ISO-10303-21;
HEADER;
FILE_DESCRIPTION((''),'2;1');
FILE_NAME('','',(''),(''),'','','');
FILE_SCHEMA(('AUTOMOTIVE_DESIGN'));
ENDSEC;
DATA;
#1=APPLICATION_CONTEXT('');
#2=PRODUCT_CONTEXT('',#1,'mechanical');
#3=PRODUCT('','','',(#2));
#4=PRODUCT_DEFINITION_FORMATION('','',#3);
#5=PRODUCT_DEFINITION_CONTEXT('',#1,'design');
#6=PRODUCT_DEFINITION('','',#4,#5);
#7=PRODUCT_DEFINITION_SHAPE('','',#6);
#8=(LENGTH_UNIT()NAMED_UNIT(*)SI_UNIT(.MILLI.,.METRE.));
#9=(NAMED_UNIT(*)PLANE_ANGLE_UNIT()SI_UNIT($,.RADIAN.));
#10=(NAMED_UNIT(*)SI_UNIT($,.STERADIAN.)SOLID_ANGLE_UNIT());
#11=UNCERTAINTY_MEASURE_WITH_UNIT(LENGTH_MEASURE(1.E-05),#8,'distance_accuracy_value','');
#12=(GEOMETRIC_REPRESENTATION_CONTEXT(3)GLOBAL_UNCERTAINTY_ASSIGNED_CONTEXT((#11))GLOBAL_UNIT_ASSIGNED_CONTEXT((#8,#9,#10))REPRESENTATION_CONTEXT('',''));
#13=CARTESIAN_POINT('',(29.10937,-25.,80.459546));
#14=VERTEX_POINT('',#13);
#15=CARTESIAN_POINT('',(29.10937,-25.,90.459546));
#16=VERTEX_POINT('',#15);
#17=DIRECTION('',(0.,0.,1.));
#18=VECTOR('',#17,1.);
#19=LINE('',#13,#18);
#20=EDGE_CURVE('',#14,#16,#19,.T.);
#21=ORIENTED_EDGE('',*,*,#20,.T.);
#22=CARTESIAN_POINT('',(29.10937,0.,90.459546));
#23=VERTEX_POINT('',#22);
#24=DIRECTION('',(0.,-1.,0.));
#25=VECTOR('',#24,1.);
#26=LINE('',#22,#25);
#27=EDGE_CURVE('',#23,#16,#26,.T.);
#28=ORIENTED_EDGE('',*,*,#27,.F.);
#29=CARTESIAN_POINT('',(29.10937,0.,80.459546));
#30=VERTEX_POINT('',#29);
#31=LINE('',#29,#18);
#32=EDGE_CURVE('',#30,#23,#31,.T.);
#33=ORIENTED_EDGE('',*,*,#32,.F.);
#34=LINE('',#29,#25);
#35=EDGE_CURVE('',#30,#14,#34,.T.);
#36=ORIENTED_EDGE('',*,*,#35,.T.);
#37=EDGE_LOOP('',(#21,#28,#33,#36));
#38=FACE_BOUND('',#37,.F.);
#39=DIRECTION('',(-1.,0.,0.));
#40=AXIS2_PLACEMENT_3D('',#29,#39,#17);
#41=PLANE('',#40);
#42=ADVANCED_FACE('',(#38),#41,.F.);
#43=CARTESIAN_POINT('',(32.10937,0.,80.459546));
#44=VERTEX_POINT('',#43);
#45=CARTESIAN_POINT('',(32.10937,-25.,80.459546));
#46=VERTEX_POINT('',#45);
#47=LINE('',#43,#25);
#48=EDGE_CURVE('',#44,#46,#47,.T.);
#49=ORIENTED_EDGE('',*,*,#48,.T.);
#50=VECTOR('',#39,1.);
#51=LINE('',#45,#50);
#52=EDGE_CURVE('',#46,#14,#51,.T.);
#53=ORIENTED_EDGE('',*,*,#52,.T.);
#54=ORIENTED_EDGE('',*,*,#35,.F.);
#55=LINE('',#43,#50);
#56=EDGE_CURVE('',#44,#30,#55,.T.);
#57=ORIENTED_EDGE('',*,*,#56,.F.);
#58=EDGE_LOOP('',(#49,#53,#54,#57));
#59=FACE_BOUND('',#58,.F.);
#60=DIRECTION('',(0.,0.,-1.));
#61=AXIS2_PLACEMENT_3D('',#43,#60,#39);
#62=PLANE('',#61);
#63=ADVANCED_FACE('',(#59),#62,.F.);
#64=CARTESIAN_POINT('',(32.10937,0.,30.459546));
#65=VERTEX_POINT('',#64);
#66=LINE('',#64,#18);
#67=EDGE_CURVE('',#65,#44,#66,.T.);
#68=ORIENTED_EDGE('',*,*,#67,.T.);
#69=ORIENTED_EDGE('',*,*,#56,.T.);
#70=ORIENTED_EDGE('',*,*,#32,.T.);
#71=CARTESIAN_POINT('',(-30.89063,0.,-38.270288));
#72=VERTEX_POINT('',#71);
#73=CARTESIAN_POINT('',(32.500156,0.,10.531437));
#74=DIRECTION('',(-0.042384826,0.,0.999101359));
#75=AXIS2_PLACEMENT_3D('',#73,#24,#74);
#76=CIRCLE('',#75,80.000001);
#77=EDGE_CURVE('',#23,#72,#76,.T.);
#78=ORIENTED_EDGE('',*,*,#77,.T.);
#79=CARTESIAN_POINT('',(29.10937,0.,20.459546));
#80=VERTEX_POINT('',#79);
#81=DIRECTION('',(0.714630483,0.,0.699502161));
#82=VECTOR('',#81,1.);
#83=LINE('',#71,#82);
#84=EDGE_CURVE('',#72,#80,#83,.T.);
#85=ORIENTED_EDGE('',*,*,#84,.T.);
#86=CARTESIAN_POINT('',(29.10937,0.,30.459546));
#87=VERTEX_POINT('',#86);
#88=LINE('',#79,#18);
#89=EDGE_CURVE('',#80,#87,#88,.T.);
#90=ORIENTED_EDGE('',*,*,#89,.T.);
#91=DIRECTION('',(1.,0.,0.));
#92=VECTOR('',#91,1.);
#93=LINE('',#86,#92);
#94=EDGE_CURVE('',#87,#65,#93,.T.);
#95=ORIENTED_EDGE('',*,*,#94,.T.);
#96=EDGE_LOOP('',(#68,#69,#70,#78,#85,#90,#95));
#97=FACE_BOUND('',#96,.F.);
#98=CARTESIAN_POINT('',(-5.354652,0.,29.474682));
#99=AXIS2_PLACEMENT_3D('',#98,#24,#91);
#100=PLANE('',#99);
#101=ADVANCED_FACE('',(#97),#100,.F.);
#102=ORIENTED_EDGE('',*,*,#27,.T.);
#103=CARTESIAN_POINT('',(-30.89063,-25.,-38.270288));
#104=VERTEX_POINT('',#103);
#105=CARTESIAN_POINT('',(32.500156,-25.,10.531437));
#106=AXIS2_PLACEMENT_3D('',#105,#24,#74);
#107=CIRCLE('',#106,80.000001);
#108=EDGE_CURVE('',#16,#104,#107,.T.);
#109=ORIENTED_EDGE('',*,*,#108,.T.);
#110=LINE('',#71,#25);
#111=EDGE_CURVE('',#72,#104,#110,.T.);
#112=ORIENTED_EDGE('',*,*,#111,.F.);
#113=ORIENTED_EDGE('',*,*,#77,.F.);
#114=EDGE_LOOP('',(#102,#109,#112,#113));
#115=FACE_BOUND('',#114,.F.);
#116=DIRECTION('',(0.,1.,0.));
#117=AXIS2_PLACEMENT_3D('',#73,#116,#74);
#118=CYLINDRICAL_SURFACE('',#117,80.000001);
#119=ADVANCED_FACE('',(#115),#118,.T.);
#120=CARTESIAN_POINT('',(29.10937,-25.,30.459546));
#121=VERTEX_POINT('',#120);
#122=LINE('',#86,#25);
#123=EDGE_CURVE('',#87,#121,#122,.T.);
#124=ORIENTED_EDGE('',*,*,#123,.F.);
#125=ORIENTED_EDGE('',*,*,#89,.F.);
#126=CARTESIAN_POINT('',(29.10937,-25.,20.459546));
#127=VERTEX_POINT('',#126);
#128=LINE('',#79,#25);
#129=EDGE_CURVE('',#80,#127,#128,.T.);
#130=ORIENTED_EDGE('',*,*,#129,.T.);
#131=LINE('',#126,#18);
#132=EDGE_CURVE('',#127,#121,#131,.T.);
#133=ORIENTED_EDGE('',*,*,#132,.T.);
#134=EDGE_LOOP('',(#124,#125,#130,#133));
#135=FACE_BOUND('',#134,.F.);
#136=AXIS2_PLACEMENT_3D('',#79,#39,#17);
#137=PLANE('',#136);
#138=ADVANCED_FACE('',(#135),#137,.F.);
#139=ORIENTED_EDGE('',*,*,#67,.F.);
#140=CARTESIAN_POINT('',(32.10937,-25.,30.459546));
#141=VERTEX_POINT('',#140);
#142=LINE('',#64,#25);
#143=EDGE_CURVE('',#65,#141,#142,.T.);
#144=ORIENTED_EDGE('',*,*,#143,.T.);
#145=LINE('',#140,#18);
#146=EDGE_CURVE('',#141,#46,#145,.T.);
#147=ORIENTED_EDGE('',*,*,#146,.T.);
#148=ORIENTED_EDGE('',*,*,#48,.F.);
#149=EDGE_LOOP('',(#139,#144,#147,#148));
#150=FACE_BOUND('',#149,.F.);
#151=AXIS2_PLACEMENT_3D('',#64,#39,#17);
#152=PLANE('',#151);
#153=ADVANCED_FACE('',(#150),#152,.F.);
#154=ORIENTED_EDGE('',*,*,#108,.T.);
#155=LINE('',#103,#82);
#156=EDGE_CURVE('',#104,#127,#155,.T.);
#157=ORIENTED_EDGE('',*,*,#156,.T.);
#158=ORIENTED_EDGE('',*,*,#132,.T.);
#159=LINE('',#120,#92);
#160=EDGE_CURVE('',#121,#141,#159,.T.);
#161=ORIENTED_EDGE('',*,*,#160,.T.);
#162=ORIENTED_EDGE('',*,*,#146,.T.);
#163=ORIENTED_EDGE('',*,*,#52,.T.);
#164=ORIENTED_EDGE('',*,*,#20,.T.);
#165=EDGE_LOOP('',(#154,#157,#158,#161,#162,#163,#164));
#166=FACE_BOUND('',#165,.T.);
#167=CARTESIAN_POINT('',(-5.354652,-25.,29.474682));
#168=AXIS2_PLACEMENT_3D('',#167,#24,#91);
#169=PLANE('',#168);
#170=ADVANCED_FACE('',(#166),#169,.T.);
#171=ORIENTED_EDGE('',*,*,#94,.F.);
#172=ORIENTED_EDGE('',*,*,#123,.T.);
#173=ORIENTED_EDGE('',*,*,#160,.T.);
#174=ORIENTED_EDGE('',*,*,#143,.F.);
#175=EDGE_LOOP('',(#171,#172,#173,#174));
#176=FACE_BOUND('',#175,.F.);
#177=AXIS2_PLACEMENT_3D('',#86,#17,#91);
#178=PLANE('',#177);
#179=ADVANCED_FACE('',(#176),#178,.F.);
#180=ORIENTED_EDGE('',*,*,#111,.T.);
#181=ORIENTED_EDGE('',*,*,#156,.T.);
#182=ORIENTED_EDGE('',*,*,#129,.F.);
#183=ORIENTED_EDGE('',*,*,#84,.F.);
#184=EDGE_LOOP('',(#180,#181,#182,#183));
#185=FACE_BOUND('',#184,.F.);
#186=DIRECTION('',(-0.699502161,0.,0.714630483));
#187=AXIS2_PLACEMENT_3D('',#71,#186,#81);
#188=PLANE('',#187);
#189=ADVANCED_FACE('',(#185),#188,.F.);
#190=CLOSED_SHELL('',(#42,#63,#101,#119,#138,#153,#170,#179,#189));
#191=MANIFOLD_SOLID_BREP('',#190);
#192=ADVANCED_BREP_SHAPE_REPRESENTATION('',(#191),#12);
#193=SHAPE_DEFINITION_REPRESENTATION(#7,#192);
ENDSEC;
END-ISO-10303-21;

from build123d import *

# Parameters (mm, degrees)
F1_DEPTH = 25


with BuildPart() as f1:
    # F0 (on Front) → F1 (new body)
    with BuildSketch(Plane.XZ):
        with BuildLine():
            Line((29.10937, 80.459546), (29.10937, 90.459546))
            ThreePointArc((29.10937, 90.459546), (-40.010444, 44.328078), (-30.89063, -38.270288))
            Line((-30.89063, -38.270288), (29.10937, 20.459546))
            Line((29.10937, 20.459546), (29.10937, 30.459546))
            Line((29.10937, 30.459546), (32.10937, 30.459546))
            Line((32.10937, 30.459546), (32.10937, 80.459546))
            Line((32.10937, 80.459546), (29.10937, 80.459546))
        make_face()
    extrude(amount=F1_DEPTH)


solid = f1.part
